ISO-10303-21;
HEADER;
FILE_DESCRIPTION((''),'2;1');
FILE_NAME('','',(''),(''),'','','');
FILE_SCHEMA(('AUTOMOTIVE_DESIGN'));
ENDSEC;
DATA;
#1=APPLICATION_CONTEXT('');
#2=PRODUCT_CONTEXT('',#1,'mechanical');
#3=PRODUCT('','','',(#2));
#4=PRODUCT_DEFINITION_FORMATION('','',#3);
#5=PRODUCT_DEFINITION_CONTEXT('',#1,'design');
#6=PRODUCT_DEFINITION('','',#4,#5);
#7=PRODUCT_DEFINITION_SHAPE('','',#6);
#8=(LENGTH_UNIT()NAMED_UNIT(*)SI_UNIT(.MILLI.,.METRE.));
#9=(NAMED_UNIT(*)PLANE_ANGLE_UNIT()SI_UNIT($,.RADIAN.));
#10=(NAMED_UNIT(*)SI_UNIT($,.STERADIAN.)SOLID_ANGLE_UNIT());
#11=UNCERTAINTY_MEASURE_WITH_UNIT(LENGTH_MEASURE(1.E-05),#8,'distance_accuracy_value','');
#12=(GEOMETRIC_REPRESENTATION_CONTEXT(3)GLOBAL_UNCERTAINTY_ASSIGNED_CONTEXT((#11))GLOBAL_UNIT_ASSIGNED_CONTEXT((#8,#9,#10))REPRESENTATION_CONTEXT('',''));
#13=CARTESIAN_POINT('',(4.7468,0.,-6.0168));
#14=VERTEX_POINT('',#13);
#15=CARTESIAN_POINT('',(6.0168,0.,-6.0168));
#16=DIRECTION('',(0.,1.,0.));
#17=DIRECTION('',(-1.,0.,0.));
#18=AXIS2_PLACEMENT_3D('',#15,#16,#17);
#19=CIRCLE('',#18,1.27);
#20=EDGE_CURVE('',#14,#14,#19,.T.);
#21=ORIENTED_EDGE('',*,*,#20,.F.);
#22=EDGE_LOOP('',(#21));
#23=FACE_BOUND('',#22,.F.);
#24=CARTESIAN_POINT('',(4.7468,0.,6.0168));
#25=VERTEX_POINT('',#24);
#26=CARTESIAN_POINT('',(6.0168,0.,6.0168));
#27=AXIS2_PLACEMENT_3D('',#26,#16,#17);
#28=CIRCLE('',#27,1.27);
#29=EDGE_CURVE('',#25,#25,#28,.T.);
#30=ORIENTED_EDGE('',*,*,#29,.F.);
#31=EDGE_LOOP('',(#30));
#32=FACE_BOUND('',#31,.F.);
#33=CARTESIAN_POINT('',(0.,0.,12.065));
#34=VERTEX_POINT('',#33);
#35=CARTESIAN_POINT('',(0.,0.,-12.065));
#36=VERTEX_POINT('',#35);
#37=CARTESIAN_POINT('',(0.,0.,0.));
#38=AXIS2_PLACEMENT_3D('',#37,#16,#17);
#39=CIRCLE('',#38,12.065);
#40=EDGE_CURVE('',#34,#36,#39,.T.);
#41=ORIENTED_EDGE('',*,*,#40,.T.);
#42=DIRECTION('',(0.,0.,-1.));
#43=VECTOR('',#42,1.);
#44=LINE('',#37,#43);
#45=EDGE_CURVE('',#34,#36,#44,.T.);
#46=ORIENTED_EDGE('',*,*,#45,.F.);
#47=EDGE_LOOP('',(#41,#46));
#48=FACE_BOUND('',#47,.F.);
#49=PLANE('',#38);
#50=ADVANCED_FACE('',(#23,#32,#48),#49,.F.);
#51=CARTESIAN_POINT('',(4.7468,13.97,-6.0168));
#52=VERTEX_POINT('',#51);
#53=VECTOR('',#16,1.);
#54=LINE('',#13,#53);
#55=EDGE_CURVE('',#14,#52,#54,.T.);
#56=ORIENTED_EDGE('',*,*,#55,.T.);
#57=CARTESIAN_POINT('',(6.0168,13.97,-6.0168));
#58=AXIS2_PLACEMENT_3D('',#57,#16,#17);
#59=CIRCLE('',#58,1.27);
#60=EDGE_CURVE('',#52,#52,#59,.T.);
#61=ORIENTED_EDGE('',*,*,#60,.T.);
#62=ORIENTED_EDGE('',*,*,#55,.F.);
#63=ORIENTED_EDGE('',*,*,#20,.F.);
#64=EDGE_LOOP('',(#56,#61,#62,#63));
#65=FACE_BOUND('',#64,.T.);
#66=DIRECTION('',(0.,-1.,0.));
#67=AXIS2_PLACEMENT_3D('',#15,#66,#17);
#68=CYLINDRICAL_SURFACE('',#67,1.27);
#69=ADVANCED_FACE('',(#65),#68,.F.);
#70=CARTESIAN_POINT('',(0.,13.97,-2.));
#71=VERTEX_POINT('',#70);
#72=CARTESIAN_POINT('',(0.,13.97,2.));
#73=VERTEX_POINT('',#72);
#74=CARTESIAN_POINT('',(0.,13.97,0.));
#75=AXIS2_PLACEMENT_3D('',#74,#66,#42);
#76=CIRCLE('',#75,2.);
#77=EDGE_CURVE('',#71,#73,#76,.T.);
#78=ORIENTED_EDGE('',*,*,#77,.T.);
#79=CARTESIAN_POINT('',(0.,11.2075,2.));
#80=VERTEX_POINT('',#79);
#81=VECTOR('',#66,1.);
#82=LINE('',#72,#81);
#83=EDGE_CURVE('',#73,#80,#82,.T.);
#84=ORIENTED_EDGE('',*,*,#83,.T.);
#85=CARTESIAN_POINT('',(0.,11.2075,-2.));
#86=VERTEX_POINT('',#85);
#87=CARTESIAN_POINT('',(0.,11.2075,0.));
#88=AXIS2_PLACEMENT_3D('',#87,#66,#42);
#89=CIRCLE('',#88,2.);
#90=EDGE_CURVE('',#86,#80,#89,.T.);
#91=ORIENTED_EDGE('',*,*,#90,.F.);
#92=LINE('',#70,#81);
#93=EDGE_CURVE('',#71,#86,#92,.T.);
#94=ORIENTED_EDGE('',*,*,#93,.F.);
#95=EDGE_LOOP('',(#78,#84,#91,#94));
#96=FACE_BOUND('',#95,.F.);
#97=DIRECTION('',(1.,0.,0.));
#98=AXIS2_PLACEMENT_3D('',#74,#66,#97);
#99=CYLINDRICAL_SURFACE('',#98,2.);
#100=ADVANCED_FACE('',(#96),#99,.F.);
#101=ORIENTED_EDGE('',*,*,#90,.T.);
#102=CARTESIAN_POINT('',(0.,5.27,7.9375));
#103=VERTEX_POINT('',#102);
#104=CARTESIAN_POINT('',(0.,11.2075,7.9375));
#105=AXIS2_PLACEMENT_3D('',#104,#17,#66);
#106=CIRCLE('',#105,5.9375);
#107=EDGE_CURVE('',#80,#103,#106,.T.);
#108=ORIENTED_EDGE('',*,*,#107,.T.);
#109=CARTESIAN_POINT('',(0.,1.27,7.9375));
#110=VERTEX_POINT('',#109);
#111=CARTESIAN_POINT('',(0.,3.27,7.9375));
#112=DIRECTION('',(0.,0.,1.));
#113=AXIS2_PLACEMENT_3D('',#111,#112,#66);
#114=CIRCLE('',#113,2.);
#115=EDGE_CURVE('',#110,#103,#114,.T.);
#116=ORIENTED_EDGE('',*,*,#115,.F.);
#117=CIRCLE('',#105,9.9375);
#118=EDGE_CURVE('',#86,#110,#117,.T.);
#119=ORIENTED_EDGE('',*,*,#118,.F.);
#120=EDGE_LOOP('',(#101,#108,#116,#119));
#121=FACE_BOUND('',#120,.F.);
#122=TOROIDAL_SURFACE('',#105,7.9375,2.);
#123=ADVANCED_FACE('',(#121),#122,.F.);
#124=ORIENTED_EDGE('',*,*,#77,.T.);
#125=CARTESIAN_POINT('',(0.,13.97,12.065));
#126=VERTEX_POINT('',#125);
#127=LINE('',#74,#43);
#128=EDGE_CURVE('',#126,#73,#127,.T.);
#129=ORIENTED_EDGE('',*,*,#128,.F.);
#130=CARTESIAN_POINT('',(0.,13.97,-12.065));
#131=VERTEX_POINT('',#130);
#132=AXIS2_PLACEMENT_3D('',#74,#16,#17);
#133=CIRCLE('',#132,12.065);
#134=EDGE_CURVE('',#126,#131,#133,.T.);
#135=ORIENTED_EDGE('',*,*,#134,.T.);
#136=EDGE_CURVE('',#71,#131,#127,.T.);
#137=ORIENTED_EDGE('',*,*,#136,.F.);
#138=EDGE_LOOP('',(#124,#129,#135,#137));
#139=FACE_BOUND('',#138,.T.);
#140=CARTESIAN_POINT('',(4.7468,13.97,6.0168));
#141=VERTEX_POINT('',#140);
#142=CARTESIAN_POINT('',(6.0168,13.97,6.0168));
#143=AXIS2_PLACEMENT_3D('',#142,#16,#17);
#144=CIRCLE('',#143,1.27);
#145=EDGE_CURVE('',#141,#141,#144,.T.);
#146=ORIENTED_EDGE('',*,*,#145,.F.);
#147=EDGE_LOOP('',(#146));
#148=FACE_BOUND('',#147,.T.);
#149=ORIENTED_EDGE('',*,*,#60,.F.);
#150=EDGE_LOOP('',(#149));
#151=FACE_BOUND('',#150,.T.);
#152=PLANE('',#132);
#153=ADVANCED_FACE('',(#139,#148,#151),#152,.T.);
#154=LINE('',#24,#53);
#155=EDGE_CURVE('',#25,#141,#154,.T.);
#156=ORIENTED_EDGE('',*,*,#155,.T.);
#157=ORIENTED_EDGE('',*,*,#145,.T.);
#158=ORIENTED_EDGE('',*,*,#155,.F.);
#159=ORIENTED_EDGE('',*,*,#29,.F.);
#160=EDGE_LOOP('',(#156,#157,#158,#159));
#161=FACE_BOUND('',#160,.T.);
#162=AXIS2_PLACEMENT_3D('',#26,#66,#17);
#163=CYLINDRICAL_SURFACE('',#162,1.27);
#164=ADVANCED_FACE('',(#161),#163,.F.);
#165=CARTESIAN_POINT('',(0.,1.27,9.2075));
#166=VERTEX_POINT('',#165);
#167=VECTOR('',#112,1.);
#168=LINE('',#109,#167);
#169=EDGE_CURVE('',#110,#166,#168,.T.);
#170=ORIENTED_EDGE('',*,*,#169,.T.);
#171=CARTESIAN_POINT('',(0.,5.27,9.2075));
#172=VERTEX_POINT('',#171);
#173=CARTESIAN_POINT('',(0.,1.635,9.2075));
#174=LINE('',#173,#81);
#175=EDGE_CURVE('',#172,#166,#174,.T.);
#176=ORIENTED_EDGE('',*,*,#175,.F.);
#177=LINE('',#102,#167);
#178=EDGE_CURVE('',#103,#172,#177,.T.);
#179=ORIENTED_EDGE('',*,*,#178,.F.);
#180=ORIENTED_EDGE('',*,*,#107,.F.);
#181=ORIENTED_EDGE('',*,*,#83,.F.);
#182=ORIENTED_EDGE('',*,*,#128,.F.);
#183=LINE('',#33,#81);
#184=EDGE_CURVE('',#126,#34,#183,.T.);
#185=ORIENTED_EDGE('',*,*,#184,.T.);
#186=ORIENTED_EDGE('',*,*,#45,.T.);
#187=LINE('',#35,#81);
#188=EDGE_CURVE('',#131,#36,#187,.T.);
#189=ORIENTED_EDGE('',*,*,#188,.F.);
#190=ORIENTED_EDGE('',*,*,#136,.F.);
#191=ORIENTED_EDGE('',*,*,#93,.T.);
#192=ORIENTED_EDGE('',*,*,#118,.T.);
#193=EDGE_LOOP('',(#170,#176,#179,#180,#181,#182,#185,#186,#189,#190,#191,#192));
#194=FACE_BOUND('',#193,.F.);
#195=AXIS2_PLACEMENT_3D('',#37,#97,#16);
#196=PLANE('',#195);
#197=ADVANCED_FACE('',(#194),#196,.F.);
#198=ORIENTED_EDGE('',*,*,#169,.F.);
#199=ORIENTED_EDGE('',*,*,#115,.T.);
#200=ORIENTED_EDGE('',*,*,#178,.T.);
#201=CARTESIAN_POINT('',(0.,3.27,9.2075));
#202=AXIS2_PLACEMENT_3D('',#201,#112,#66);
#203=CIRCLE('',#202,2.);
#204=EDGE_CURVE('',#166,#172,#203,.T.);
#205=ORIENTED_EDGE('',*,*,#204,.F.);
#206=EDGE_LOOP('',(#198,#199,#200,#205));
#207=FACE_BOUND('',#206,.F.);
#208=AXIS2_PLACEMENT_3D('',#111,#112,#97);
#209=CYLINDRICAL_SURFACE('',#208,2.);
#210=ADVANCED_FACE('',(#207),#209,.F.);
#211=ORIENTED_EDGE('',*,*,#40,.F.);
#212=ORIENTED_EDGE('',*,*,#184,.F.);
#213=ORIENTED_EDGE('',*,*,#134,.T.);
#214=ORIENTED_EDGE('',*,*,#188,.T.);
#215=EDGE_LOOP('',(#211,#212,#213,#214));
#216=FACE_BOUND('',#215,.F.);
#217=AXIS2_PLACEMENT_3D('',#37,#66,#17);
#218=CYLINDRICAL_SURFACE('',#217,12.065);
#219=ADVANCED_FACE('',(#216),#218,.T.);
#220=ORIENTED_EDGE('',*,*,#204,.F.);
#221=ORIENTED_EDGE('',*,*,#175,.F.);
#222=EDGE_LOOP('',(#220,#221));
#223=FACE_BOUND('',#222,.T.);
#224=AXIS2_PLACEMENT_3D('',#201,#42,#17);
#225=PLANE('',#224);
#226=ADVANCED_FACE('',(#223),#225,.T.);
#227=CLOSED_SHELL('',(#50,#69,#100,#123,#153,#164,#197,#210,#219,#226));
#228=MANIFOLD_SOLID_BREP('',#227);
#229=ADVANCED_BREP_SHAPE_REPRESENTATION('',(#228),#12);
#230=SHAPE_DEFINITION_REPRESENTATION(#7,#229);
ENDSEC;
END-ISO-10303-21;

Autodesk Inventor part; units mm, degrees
ref_plane "YZ Plane" through (0, 0, 0) normal (1, 0, 0) x (0, 1, 0)
ref_plane "XZ Plane" through (0, 0, 0) normal (0, 1, 0) x (-1, 0, 0)
ref_plane "XY Plane" through (0, 0, 0) normal (0, 0, 1) x (1, 0, 0)
sketch "Sketch1" plane through (0, 0, 0) normal (0, 1, 0) x (-1, 0, 0)
  circle A0 centre (0, 0) radius 12.065
  line L0 (0, 0) -> (6.0168, -6.0168)
  line L1 (0, 0) -> (8.509, 0) construction
  circle A1 centre (6.0168, -6.0168) radius 1.27
  circle A2 centre (6.0168, 6.0168) radius 1.27
  circle A3 centre (-6.0168, 6.0168) radius 1.27
  circle A4 centre (-6.0168, -6.0168) radius 1.27
  dimension "d0" = 24.13
  dimension "d1" = 45
  dimension "d2" = 8.509
  dimension "d3" = 2.54
  dimension "d6" = 360
extrude "Extrusion1" add sketch "Sketch1" along normal blind 13.97
sketch "Sketch2" plane through (0, 0, 0) normal (1, 0, 0) x (0, 1, 0)
  line L0 (13.97, -12.065) -> (13.97, 12.065) projected
  line L1 (13.97, 0) -> (11.2075, 0)
  line L2 (11.2075, 0) -> (3.27, 0)
  line L3 (3.27, 0) -> (3.27, 7.9375)
  line L4 (3.27, 7.9375) -> (3.27, 9.2075)
  line L5 (0, 12.065) -> (0, -12.065) projected
  arc A0 (3.27, 7.9375) -> (11.2075, 0) centre (11.2075, 7.9375) ccw
  point P0 (0, 0)
  dimension "d15" = 7.9375
  dimension "d16" = 7.9375
  dimension "d17" = 1.27
  dimension "d18" = 3.27
sketch "Sketch3" plane through (0, 13.97, 0) normal (0, 1, 0) x (1, 0, 0)
  circle A0 centre (0, 0) radius 2
  dimension "d14" = 4
sweep "Sweep1" cut profiles "Sketch3" path "Sketch2" path curves L1 A0 L4
sketch "Sketch4" plane through (0, 0, 0) normal (1, 0, 0) x (0, 1, 0)
  line L0 (21.6749, -17.4359) -> (-6.3985, -17.4359)
  line L1 (-6.3985, -17.4359) -> (-6.3985, 17.036)
  line L2 (-6.3985, 17.036) -> (21.6749, 17.036)
  line L3 (21.6749, 17.036) -> (21.6749, -17.4359)
  point P0 (0, 0)
extrude "Extrusion2" cut sketch "Sketch4" against normal through all
properties part number "Side2Attachment" material "ABS Plastic"
